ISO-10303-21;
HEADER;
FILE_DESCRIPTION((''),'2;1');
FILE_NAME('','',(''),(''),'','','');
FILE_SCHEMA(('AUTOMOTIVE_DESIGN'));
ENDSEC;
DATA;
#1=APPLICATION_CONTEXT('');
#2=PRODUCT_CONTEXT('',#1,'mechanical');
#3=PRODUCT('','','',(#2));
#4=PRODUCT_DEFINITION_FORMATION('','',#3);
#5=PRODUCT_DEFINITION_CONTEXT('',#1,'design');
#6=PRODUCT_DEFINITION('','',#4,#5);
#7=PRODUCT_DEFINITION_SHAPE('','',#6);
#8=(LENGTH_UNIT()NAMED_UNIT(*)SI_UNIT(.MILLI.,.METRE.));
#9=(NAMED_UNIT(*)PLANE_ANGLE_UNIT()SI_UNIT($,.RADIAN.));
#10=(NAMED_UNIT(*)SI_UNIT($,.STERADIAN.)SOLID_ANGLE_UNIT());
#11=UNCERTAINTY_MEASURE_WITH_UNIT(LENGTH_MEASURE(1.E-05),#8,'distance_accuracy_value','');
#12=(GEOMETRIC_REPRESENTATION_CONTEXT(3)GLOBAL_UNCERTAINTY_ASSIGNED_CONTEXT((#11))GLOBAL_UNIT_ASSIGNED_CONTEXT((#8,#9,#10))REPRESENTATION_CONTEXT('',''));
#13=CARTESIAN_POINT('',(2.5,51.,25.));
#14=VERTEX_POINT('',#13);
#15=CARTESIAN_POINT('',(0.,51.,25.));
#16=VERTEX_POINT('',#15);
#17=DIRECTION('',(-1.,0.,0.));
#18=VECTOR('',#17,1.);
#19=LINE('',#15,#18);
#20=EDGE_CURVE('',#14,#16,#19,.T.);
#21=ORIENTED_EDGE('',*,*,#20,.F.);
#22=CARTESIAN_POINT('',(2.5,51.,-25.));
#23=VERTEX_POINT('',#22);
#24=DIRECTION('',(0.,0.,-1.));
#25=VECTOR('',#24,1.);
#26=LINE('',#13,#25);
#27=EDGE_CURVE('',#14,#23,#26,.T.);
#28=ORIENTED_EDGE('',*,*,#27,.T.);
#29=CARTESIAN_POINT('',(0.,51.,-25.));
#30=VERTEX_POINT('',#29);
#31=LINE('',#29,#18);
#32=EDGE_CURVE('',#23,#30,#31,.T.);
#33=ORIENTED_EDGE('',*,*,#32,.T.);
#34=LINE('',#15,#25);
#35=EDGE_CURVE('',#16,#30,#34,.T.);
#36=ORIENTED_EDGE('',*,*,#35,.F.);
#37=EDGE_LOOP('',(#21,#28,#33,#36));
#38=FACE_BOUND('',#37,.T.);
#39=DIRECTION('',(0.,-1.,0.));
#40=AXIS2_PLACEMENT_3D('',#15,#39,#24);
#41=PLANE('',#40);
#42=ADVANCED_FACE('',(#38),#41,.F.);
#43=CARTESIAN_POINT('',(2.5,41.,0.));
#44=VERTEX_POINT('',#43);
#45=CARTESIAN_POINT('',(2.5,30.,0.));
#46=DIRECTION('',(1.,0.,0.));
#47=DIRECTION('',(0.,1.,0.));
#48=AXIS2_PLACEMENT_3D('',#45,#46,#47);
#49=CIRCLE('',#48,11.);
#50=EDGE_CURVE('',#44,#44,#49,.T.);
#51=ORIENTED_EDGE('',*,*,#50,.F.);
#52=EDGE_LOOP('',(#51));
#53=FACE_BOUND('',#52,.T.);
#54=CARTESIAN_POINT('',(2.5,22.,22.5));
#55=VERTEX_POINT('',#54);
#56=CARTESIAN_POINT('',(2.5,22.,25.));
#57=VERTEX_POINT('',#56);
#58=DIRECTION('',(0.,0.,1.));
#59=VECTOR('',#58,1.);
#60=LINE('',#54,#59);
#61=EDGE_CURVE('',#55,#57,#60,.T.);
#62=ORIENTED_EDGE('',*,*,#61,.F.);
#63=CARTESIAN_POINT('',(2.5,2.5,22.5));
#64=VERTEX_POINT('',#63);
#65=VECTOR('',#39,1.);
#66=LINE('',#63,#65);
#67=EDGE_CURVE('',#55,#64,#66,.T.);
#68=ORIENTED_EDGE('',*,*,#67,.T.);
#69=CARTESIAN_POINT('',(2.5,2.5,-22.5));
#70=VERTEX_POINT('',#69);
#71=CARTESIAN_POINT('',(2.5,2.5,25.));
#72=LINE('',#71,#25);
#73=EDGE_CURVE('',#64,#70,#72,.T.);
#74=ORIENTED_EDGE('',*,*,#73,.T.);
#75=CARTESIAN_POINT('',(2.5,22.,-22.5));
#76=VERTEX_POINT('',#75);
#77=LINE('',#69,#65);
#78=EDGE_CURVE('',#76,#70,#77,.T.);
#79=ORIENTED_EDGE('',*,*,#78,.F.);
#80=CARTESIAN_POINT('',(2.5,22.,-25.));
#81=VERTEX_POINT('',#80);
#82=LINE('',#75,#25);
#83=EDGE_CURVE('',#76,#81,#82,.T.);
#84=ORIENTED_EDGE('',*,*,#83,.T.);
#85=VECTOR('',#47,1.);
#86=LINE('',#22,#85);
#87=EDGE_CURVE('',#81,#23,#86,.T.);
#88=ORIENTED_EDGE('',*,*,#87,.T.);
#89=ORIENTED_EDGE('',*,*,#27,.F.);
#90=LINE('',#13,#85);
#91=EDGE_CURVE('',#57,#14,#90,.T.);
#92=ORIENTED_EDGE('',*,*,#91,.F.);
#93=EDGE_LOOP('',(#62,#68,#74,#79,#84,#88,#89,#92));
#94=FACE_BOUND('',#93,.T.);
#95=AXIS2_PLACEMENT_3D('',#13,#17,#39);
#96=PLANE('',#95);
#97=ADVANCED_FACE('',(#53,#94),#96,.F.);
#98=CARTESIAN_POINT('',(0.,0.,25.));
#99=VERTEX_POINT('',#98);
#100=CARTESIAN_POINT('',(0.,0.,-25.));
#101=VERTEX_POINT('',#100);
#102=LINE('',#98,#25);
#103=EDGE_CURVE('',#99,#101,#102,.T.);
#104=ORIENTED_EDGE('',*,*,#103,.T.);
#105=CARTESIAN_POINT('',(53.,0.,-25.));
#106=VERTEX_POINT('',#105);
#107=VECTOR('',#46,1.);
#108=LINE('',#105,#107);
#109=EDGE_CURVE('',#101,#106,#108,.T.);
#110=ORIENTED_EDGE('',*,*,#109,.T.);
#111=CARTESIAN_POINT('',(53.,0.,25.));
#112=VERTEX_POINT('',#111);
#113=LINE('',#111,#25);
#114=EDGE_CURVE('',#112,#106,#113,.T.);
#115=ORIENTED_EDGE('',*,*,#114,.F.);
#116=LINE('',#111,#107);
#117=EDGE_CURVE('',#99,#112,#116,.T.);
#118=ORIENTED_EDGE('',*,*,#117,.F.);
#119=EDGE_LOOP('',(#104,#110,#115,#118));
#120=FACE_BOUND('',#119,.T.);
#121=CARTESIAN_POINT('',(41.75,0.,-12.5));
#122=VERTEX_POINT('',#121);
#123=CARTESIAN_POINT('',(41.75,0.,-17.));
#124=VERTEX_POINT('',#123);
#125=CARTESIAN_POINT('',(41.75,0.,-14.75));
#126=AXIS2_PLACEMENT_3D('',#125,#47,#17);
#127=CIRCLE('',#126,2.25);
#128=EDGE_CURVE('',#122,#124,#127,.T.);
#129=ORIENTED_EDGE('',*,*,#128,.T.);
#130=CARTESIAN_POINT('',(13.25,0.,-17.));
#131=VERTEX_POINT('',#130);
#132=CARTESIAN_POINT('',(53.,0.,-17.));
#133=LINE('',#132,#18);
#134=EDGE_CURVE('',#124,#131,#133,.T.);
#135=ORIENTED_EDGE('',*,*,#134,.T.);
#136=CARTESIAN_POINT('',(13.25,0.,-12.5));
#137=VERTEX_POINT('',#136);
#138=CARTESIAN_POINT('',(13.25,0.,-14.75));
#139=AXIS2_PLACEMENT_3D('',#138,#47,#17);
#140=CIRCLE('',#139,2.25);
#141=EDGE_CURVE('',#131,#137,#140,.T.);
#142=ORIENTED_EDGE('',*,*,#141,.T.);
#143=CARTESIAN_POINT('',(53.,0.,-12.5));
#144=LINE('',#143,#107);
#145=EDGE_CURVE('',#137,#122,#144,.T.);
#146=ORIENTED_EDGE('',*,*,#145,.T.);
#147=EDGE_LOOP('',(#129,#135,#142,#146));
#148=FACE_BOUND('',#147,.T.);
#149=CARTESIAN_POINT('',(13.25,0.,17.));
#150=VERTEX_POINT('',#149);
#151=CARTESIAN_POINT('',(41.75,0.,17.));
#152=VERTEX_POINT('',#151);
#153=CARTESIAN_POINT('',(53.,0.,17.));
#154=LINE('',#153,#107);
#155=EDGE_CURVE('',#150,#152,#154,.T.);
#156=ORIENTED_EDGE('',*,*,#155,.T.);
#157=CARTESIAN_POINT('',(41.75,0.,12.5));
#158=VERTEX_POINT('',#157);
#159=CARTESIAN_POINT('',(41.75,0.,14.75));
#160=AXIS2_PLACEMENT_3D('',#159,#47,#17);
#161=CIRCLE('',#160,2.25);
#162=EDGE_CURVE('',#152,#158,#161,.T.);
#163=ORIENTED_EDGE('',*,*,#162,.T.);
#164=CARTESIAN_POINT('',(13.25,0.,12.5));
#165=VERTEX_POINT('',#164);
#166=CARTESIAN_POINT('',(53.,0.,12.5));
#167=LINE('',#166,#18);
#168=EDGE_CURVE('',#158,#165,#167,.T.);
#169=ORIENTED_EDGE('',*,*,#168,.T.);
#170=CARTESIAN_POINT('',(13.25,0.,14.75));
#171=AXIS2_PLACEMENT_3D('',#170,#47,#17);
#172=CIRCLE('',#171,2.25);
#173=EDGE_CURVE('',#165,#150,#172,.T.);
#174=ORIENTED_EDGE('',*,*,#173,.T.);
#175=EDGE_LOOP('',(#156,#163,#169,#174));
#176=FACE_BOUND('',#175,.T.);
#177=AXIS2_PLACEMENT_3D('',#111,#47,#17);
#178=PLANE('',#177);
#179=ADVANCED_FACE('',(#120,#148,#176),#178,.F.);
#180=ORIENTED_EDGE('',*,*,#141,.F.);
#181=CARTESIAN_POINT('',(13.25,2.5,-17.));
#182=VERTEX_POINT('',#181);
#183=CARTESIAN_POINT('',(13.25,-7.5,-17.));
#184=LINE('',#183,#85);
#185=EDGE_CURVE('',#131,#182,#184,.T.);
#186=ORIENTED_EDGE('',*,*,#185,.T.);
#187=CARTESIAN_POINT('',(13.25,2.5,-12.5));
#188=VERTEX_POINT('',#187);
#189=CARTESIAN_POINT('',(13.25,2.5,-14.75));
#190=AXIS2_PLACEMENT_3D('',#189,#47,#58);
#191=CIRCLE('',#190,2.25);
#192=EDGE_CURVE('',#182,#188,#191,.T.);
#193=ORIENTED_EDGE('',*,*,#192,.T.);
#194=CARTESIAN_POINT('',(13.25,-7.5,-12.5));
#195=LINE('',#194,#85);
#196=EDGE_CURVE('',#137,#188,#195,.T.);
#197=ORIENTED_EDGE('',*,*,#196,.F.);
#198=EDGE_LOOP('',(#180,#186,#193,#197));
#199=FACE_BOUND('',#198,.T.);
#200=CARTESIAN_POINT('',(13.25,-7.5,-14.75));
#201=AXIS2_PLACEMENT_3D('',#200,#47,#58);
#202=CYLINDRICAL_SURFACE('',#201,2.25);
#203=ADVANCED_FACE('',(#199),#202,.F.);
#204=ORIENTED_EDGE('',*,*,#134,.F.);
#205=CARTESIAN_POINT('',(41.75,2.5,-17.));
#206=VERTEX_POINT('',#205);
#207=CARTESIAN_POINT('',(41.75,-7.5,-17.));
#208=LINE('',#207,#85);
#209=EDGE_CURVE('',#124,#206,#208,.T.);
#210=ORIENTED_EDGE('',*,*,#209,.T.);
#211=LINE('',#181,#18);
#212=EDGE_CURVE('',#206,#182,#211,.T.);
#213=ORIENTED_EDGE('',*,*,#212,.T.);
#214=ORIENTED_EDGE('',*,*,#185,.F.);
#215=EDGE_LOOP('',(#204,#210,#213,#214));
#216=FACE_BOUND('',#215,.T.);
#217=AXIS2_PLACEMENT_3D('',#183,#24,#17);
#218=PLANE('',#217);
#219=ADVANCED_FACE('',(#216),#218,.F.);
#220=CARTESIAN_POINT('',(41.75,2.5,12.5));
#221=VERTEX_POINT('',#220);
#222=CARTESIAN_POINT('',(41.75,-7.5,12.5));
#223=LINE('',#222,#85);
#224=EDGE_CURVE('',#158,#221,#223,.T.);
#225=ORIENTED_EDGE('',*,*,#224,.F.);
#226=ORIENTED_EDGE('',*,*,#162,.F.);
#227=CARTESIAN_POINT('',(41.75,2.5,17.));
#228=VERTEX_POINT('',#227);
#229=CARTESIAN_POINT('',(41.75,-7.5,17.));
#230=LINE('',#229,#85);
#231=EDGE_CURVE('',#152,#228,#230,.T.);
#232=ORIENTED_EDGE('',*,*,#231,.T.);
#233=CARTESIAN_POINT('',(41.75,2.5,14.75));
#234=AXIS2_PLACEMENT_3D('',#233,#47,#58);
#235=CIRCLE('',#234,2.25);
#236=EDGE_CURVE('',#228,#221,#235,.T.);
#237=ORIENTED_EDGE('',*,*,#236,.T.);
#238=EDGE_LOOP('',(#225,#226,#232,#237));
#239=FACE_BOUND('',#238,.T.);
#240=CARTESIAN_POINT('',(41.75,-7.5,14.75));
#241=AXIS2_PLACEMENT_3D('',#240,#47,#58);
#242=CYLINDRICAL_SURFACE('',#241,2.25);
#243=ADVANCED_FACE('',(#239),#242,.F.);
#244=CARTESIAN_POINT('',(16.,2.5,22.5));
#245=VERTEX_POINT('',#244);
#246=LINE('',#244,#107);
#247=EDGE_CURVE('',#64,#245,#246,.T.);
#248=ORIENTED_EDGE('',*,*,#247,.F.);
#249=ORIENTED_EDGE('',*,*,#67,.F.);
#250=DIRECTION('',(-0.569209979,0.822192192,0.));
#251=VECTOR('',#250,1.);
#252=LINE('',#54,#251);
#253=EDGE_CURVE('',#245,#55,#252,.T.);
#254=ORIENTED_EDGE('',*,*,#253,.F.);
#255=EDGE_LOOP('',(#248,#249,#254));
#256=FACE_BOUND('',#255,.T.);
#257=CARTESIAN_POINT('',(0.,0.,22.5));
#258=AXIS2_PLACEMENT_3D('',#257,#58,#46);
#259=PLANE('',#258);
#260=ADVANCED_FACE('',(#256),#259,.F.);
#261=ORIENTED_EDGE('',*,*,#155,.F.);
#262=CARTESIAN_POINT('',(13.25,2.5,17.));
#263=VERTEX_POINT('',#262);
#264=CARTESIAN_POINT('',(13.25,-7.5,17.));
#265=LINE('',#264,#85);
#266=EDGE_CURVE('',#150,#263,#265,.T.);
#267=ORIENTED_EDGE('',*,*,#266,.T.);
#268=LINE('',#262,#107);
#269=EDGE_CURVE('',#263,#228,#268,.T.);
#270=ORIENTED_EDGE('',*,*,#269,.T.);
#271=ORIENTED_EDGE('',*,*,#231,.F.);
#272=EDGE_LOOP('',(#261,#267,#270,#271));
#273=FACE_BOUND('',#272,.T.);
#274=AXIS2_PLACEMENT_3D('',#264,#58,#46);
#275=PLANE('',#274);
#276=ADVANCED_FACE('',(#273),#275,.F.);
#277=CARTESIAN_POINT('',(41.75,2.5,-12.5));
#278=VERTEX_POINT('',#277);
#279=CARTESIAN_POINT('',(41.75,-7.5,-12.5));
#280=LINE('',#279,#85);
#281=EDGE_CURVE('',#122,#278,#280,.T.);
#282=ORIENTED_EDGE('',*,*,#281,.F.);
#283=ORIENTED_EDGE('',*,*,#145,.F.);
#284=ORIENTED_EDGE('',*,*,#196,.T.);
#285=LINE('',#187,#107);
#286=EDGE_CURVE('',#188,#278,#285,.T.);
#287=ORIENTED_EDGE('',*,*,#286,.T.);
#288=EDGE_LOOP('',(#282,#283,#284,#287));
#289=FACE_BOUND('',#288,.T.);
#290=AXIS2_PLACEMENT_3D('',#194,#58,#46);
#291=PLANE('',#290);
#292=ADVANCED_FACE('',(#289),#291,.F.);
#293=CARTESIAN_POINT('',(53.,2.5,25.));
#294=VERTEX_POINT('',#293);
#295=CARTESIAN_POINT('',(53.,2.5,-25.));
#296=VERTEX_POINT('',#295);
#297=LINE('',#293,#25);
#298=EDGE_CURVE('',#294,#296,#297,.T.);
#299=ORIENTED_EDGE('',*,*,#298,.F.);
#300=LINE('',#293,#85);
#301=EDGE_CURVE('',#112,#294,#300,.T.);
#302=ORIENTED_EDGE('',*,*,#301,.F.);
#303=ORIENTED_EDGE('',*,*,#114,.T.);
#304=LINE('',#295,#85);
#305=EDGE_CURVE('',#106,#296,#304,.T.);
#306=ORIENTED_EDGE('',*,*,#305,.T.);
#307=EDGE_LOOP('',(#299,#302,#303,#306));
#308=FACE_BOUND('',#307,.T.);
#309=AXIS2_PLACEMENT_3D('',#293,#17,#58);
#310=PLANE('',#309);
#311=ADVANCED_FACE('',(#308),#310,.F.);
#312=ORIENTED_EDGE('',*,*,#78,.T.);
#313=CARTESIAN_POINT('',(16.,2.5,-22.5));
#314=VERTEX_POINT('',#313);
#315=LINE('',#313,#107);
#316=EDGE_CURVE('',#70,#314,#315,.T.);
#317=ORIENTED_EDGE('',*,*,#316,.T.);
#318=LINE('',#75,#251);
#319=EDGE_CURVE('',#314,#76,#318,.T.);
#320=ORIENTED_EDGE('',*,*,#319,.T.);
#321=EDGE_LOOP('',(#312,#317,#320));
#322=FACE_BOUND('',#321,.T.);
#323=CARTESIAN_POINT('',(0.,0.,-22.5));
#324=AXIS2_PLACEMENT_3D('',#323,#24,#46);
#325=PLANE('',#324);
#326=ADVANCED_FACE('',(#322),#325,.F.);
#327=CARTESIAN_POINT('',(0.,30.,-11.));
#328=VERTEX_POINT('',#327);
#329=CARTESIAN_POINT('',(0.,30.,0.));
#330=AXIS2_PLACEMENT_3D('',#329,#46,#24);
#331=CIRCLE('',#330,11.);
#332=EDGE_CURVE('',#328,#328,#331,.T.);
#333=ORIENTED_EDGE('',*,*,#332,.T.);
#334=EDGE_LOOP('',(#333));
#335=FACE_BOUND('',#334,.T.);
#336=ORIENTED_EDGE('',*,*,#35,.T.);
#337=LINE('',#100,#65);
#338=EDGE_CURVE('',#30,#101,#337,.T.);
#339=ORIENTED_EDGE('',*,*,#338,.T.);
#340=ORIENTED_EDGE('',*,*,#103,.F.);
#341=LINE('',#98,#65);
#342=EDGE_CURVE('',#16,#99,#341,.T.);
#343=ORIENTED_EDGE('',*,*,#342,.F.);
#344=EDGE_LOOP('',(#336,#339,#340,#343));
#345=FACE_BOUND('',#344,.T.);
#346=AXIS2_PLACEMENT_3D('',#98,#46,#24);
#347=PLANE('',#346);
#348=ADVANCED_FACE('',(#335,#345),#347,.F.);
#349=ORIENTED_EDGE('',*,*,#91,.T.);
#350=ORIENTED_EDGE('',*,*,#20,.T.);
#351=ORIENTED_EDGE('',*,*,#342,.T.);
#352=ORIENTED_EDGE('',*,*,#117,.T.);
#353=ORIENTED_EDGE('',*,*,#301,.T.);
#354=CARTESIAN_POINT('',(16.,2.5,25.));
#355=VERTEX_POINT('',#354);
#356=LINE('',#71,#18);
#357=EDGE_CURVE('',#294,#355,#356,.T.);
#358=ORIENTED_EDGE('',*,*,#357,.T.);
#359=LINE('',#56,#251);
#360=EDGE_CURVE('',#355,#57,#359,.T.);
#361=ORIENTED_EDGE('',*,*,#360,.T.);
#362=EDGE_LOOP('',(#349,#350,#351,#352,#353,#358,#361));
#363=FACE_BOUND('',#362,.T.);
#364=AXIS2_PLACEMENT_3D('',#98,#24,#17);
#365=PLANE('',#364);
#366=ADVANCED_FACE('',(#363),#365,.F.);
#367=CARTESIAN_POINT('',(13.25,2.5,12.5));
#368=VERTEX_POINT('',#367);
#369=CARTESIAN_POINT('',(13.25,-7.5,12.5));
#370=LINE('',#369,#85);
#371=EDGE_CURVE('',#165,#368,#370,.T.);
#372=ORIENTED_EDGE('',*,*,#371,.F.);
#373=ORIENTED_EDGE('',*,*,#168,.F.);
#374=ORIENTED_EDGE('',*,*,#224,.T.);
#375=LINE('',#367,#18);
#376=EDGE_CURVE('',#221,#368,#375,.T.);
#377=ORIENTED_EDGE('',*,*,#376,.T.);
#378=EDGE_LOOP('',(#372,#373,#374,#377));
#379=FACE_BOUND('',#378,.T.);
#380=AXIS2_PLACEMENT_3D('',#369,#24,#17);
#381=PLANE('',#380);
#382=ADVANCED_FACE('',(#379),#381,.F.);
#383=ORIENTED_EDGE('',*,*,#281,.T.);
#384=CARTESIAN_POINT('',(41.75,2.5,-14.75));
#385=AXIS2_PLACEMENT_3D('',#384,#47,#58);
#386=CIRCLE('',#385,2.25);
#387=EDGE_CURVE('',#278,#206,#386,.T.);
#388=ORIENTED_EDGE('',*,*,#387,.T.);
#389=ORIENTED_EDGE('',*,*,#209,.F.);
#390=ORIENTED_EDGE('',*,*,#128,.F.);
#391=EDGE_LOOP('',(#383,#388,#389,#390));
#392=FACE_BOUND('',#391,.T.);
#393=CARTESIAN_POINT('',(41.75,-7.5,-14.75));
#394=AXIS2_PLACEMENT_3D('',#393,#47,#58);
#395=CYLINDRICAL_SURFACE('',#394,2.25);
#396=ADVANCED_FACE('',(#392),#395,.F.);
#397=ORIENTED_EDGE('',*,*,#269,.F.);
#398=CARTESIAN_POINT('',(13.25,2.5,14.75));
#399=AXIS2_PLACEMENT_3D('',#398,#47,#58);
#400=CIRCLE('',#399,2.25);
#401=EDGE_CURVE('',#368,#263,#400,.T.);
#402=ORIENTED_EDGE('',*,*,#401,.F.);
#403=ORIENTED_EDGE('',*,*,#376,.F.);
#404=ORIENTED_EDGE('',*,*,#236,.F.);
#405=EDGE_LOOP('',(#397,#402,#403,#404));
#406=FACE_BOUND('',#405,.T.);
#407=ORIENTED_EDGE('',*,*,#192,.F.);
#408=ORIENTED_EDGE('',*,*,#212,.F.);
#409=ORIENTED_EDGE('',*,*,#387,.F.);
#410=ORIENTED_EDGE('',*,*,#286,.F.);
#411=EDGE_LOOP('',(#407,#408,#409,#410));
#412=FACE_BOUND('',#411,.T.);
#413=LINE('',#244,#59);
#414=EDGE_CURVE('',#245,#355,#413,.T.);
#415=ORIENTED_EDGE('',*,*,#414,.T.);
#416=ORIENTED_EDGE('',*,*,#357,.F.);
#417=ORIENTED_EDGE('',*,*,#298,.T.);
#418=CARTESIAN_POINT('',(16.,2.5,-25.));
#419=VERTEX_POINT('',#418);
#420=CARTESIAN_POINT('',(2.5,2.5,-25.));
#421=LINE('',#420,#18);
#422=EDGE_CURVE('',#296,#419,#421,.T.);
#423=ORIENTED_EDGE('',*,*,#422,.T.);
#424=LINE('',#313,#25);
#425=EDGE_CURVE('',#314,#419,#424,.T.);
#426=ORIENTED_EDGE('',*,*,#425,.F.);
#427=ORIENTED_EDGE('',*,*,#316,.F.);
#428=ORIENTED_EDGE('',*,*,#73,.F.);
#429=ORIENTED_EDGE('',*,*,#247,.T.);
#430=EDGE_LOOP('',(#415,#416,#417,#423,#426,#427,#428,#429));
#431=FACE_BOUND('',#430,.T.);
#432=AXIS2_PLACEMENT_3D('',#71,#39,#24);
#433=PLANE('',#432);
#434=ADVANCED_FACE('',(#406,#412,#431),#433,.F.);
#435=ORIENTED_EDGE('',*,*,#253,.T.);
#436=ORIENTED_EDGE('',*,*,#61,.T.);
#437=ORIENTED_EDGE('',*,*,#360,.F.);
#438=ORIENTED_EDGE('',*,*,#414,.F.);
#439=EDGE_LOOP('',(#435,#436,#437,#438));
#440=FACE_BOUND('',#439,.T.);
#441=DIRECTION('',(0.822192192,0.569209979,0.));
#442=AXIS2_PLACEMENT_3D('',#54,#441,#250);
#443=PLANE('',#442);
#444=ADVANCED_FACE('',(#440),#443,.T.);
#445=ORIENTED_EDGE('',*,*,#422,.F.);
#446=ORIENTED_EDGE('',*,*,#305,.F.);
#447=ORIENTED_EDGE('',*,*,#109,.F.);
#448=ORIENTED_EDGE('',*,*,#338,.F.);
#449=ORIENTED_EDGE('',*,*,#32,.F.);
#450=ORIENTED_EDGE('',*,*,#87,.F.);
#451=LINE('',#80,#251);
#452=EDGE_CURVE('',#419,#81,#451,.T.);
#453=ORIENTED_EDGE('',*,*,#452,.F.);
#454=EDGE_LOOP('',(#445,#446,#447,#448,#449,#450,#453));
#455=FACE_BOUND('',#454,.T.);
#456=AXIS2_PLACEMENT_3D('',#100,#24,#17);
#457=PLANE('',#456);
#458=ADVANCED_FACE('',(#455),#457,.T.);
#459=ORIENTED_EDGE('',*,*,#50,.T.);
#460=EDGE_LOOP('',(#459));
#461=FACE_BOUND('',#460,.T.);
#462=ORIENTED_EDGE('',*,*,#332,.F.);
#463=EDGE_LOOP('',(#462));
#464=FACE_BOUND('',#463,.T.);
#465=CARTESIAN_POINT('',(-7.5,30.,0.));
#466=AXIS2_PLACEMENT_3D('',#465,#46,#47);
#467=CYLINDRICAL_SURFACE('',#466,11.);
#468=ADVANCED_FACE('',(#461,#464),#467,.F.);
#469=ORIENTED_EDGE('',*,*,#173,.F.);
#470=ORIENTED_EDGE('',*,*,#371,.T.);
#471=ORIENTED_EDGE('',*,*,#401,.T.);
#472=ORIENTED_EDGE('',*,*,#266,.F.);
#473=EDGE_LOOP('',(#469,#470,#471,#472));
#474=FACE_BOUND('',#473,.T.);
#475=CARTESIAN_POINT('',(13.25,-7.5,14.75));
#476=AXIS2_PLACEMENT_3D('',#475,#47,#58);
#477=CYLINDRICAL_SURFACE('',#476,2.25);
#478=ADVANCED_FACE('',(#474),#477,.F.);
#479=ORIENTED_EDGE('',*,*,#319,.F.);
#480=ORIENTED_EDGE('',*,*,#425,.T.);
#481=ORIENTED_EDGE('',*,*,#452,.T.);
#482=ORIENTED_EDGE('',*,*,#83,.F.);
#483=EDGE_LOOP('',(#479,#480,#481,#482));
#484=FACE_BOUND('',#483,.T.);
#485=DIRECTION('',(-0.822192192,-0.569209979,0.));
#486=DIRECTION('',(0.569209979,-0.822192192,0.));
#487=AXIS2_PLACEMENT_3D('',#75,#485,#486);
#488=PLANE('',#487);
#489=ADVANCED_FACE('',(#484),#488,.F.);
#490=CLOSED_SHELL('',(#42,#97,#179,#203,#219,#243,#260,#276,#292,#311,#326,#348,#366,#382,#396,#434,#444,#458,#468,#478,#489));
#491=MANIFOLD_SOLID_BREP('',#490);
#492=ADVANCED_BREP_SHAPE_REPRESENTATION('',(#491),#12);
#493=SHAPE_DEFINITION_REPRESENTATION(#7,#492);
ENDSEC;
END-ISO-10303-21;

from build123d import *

# Parameters (mm, degrees)
BOSS_EXTRUDE1_DEPTH = 25
CUT_EXTRUDE1_DEPTH  = 10
SKETCH6_R           = 11
CUT_EXTRUDE2_DEPTH  = 10
BOSS_EXTRUDE2_DEPTH = 2.5


with BuildPart() as part:
    # Sketch1 → Boss-Extrude1 (new body, symmetric)
    with BuildSketch(Plane.XY):
        Polygon((53, 0), (0, 0), (0, 51), (2.5, 51), (2.5, 2.5), (53, 2.5), align=None)
    extrude(amount=BOSS_EXTRUDE1_DEPTH, both=True)

    # Sketch5 → Cut-Extrude1 (cut)
    with BuildSketch(Plane(origin=(0, 2.5, 0), x_dir=(1, 0, 0), z_dir=(0, 1, 0))):
        with BuildLine():
            Line((13.25, 17), (41.75, 17))
            ThreePointArc((41.75, 17), (44, 14.75), (41.75, 12.5))
            Line((41.75, 12.5), (13.25, 12.5))
            ThreePointArc((13.25, 12.5), (11, 14.75), (13.25, 17))
        make_face()
        with BuildLine():
            Line((13.25, -12.5), (41.75, -12.5))
            ThreePointArc((41.75, -12.5), (44, -14.75), (41.75, -17))
            Line((41.75, -17), (13.25, -17))
            ThreePointArc((13.25, -17), (11, -14.75), (13.25, -12.5))
        make_face()
    extrude(amount=-CUT_EXTRUDE1_DEPTH, mode=Mode.SUBTRACT)

    # Sketch6 → Cut-Extrude2 (cut)
    with BuildSketch(Plane(origin=(2.5, 0, 0), x_dir=(0, 0, -1), z_dir=(1, 0, 0))):
        with Locations((0, 30)):
            Circle(SKETCH6_R)
    extrude(amount=-CUT_EXTRUDE2_DEPTH, mode=Mode.SUBTRACT)

    # Sketch7 → Boss-Extrude2 (add)
    with BuildSketch(Plane.XY.offset(25)):
        Polygon((2.5, 22), (16, 2.5), (2.5, 2.5), align=None)
    boss_extrude2 = extrude(amount=-BOSS_EXTRUDE2_DEPTH)

    # Mirror1: Boss-Extrude2 across plane
    add(boss_extrude2.mirror(Plane.XY))


solid = part.part
